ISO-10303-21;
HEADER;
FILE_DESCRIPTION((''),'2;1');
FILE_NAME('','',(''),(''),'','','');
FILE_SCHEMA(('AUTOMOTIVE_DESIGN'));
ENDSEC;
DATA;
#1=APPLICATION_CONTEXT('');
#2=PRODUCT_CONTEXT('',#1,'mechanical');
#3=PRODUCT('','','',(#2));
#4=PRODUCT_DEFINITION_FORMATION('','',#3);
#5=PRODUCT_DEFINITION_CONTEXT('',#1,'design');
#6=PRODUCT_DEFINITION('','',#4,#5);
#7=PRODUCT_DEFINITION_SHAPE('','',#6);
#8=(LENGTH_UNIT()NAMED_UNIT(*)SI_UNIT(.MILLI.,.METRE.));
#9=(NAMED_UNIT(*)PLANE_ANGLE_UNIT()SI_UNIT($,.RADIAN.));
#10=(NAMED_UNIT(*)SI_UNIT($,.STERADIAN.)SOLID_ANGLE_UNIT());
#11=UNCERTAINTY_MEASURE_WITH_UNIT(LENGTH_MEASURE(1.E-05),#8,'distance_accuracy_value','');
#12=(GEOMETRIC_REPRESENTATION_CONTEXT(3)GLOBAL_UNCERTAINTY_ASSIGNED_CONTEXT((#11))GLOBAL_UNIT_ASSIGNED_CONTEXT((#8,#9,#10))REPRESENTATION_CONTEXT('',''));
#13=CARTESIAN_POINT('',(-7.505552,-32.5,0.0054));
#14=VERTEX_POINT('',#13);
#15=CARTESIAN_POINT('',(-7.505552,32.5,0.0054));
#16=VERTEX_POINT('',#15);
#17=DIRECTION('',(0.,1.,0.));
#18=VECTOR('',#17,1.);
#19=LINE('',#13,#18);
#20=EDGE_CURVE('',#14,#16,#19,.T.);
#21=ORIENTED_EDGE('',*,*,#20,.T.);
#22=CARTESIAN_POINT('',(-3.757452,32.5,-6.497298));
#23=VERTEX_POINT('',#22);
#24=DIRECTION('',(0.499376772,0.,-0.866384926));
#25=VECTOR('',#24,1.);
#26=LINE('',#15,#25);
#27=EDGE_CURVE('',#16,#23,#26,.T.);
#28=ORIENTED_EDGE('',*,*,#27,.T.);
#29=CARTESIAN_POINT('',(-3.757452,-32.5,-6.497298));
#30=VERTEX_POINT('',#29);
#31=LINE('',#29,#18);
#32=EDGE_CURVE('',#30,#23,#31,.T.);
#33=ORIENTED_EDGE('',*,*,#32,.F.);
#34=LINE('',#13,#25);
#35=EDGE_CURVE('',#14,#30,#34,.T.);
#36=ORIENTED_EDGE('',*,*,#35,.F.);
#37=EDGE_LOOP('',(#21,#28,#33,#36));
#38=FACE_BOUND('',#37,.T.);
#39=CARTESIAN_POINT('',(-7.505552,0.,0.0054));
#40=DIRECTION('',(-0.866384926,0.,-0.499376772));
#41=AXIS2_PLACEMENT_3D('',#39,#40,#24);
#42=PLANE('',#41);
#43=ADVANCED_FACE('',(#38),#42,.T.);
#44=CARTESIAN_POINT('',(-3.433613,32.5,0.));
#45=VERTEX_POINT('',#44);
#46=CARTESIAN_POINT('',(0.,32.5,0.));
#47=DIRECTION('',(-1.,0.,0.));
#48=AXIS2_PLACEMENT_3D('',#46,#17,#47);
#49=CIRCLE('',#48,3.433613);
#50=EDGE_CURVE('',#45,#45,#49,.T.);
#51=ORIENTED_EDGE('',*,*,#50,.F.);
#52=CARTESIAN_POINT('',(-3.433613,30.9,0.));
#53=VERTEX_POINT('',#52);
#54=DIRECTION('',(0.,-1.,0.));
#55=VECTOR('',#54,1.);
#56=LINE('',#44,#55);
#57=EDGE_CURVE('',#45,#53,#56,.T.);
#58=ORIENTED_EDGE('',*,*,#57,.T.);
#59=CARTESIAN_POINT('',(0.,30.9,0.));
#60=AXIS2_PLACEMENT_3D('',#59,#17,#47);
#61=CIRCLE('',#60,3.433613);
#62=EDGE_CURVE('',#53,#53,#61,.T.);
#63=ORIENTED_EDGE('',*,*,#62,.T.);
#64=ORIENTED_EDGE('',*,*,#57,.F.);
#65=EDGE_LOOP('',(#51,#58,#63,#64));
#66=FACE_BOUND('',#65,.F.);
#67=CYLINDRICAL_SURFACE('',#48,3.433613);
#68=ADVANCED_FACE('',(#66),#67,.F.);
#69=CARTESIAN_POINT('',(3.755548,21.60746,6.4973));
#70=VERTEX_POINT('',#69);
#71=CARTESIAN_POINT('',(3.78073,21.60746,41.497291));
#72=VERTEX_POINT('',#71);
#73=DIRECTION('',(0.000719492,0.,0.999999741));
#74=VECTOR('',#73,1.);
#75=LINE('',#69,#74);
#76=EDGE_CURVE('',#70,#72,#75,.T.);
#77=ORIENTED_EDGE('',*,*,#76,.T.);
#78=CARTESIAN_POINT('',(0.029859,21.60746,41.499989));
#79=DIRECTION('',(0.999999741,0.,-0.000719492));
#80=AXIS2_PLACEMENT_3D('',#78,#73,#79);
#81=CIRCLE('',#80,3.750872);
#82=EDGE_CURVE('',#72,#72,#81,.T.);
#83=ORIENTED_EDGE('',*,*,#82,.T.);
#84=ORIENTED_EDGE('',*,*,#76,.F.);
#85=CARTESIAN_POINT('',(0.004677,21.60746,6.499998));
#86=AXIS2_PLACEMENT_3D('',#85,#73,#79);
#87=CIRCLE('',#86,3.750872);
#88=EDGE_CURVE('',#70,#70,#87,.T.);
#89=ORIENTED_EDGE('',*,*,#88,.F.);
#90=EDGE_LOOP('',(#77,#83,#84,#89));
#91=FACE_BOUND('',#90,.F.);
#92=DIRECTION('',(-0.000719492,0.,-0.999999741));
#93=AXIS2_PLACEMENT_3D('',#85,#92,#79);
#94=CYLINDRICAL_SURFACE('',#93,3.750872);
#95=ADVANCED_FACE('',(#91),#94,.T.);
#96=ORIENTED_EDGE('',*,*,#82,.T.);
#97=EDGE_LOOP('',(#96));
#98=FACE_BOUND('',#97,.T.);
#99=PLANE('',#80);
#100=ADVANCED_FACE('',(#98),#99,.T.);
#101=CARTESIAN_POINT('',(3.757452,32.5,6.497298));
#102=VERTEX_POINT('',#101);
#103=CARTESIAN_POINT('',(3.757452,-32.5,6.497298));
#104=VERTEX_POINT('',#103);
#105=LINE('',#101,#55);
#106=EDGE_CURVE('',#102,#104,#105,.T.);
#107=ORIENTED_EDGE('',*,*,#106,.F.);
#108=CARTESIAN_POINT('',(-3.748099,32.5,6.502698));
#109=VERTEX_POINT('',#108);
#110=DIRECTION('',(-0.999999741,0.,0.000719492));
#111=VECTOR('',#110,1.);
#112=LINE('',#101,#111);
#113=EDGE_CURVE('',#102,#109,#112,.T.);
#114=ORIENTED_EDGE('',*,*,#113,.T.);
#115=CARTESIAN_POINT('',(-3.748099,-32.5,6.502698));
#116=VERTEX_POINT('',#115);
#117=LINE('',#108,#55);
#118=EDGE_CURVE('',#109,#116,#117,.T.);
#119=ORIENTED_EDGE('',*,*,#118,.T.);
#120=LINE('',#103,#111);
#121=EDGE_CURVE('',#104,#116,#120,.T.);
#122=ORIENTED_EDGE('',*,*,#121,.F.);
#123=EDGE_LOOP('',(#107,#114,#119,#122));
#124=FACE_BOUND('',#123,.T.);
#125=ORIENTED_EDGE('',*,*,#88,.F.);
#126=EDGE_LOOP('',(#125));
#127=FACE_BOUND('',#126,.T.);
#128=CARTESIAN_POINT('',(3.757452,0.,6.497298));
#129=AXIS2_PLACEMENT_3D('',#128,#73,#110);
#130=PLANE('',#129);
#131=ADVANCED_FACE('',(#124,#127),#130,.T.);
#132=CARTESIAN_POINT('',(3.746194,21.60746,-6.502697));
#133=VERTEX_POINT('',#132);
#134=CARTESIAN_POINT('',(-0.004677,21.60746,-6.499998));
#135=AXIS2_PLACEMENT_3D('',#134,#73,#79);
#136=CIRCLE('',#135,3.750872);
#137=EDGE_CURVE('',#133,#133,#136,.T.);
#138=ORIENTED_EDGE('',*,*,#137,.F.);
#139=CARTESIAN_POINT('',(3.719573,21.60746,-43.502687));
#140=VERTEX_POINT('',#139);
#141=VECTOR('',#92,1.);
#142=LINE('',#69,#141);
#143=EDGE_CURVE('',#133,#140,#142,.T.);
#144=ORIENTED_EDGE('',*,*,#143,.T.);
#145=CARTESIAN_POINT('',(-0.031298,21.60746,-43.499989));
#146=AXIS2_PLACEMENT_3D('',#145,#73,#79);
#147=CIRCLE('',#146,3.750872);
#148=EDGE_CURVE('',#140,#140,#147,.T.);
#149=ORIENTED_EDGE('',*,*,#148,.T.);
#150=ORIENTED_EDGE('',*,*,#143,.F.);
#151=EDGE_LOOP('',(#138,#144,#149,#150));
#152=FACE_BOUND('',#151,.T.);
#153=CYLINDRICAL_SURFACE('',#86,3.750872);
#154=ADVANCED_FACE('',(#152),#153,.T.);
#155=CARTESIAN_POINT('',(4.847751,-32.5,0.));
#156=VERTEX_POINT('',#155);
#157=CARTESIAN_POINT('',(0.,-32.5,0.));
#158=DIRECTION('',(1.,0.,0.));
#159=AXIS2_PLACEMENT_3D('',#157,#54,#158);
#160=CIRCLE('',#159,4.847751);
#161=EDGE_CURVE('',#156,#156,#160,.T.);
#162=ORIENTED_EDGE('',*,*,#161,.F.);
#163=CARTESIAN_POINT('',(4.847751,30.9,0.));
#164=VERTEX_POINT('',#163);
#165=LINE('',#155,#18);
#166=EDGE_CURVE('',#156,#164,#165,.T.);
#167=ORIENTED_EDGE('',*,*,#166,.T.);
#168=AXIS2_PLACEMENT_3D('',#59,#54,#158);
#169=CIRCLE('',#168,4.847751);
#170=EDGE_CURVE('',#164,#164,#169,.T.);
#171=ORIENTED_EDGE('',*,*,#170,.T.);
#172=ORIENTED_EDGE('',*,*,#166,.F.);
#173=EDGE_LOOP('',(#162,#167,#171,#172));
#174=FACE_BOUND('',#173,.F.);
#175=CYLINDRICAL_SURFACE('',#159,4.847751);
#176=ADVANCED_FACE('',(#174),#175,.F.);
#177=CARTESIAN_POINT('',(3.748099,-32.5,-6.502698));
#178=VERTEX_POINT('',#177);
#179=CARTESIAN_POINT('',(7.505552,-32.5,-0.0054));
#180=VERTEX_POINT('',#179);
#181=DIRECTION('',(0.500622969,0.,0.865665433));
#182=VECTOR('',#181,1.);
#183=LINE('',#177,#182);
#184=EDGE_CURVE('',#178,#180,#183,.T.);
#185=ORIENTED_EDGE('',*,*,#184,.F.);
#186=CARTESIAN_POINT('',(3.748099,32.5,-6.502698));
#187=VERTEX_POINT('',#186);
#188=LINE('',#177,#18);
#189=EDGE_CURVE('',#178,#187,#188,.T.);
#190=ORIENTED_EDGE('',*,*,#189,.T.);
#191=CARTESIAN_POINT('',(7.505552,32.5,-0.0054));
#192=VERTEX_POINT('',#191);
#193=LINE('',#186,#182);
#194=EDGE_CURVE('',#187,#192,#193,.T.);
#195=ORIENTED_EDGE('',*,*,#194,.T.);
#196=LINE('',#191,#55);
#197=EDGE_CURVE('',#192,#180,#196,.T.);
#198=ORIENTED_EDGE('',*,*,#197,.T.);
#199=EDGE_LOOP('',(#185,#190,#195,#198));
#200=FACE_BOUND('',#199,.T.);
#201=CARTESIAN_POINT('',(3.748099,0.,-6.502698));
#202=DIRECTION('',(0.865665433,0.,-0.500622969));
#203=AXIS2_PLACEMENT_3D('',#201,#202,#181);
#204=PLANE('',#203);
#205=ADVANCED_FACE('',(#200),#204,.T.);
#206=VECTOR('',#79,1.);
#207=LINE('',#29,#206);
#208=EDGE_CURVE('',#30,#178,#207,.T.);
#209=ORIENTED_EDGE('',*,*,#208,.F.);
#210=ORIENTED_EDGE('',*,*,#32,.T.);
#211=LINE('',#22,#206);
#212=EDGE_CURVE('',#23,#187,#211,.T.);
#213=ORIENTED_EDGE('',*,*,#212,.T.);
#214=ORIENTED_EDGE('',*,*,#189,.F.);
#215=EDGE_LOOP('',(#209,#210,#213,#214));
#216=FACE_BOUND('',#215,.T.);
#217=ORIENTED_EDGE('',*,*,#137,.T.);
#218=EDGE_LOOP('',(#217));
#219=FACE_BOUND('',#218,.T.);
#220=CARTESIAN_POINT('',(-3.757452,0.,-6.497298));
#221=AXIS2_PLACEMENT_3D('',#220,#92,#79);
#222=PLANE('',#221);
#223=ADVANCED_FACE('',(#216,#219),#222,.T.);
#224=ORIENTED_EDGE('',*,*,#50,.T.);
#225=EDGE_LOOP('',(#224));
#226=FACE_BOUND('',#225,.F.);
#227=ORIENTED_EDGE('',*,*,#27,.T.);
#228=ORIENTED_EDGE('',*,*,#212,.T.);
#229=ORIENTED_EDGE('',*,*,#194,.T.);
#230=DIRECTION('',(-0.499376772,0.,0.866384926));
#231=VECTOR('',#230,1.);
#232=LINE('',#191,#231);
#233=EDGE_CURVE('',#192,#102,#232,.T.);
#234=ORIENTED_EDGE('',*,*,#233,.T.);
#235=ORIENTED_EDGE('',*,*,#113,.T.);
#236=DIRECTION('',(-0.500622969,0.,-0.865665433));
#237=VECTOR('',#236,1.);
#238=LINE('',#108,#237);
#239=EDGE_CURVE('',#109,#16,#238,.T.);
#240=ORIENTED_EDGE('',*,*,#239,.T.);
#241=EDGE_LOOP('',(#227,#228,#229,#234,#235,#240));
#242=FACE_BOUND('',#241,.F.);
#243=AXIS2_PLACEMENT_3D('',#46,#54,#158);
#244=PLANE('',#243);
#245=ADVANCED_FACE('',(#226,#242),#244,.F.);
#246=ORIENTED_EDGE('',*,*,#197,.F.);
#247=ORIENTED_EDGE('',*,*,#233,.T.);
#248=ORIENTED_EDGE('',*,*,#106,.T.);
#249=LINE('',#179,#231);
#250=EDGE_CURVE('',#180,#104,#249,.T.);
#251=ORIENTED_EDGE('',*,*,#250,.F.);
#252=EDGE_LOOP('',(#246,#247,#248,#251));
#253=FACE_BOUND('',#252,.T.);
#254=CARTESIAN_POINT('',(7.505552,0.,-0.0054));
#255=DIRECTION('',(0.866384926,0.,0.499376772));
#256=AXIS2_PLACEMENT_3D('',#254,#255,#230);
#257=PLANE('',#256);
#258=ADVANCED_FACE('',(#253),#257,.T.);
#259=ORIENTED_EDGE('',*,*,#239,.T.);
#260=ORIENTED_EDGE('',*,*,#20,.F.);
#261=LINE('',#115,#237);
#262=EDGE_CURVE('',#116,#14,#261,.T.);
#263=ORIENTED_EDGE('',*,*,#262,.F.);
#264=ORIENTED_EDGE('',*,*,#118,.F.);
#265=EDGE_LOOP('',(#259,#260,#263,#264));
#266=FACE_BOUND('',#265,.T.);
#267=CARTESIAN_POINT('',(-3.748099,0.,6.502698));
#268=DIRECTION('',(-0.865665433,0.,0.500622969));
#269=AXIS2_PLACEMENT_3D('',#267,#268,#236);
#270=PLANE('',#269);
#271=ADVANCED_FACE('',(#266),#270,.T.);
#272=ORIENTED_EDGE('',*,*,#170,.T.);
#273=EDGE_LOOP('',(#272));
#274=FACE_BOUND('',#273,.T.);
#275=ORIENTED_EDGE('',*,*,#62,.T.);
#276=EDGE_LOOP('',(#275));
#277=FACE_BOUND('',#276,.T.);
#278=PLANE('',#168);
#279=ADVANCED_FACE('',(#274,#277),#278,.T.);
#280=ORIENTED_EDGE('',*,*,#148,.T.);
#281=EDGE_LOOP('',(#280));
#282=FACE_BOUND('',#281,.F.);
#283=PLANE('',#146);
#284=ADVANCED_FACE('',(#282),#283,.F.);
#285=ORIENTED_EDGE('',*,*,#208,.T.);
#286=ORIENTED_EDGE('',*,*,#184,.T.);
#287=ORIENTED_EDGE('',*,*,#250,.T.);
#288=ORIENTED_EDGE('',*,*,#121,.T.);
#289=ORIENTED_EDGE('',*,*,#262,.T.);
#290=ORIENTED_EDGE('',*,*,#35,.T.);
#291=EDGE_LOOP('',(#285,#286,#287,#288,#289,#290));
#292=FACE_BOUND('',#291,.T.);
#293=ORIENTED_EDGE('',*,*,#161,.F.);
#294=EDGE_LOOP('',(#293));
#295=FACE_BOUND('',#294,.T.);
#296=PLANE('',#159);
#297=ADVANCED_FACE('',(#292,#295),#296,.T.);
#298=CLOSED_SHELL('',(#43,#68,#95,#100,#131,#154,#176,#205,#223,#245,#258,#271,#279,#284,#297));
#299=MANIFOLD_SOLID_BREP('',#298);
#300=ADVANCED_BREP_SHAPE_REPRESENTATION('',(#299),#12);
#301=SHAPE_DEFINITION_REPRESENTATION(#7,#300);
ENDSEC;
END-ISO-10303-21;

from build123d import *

# Parameters (mm, degrees)
F1_DEPTH      = 32.5
F2_R          = 3.7508720601
F3_DEPTH      = 35
F3_DEPTH_BACK = 50
F4_R          = 4.8477507868
F5_DEPTH      = 63.4
F6_R          = 3.4336134654
F7_DEPTH      = 90


with BuildPart() as f1:
    # F0 (on Front) → F1 (new body, symmetric)
    with BuildSketch(Plane.XZ):
        Polygon((3.7480990784, -6.5026984116), (7.5055515568, -0.005400188), (3.7574524784, 6.4972982236), (-3.7480990784, 6.5026984116), (-7.5055515568, 0.005400188), (-3.7574524784, -6.4972982236), align=None)
    extrude(amount=F1_DEPTH, both=True)

    # F2 (on face) → F3 (join, two sides)
    with BuildSketch(Plane(origin=(0.0046767, 0, 6.4999983176), x_dir=(0.9999997412, 0, -0.0007194923), z_dir=(0.0007194923, 0, 0.9999997412))) as f3_sk:
        with Locations((0, 21.6074604541)):
            Circle(F2_R)
    extrude(amount=F3_DEPTH)
    extrude(f3_sk.sketch, amount=-F3_DEPTH_BACK)

    # F4 (on face) → F5 (cut)
    with BuildSketch(Plane.XZ.offset(32.5)):
        Circle(F4_R)
    extrude(amount=-F5_DEPTH, mode=Mode.SUBTRACT)

    # F6 (on face) → F7 (cut)
    with BuildSketch(Plane(origin=(0, 32.5, 0), x_dir=(-1, 0, 0), z_dir=(0, 1, 0))):
        Circle(F6_R)
    extrude(amount=-F7_DEPTH, mode=Mode.SUBTRACT)


solid = f1.part
